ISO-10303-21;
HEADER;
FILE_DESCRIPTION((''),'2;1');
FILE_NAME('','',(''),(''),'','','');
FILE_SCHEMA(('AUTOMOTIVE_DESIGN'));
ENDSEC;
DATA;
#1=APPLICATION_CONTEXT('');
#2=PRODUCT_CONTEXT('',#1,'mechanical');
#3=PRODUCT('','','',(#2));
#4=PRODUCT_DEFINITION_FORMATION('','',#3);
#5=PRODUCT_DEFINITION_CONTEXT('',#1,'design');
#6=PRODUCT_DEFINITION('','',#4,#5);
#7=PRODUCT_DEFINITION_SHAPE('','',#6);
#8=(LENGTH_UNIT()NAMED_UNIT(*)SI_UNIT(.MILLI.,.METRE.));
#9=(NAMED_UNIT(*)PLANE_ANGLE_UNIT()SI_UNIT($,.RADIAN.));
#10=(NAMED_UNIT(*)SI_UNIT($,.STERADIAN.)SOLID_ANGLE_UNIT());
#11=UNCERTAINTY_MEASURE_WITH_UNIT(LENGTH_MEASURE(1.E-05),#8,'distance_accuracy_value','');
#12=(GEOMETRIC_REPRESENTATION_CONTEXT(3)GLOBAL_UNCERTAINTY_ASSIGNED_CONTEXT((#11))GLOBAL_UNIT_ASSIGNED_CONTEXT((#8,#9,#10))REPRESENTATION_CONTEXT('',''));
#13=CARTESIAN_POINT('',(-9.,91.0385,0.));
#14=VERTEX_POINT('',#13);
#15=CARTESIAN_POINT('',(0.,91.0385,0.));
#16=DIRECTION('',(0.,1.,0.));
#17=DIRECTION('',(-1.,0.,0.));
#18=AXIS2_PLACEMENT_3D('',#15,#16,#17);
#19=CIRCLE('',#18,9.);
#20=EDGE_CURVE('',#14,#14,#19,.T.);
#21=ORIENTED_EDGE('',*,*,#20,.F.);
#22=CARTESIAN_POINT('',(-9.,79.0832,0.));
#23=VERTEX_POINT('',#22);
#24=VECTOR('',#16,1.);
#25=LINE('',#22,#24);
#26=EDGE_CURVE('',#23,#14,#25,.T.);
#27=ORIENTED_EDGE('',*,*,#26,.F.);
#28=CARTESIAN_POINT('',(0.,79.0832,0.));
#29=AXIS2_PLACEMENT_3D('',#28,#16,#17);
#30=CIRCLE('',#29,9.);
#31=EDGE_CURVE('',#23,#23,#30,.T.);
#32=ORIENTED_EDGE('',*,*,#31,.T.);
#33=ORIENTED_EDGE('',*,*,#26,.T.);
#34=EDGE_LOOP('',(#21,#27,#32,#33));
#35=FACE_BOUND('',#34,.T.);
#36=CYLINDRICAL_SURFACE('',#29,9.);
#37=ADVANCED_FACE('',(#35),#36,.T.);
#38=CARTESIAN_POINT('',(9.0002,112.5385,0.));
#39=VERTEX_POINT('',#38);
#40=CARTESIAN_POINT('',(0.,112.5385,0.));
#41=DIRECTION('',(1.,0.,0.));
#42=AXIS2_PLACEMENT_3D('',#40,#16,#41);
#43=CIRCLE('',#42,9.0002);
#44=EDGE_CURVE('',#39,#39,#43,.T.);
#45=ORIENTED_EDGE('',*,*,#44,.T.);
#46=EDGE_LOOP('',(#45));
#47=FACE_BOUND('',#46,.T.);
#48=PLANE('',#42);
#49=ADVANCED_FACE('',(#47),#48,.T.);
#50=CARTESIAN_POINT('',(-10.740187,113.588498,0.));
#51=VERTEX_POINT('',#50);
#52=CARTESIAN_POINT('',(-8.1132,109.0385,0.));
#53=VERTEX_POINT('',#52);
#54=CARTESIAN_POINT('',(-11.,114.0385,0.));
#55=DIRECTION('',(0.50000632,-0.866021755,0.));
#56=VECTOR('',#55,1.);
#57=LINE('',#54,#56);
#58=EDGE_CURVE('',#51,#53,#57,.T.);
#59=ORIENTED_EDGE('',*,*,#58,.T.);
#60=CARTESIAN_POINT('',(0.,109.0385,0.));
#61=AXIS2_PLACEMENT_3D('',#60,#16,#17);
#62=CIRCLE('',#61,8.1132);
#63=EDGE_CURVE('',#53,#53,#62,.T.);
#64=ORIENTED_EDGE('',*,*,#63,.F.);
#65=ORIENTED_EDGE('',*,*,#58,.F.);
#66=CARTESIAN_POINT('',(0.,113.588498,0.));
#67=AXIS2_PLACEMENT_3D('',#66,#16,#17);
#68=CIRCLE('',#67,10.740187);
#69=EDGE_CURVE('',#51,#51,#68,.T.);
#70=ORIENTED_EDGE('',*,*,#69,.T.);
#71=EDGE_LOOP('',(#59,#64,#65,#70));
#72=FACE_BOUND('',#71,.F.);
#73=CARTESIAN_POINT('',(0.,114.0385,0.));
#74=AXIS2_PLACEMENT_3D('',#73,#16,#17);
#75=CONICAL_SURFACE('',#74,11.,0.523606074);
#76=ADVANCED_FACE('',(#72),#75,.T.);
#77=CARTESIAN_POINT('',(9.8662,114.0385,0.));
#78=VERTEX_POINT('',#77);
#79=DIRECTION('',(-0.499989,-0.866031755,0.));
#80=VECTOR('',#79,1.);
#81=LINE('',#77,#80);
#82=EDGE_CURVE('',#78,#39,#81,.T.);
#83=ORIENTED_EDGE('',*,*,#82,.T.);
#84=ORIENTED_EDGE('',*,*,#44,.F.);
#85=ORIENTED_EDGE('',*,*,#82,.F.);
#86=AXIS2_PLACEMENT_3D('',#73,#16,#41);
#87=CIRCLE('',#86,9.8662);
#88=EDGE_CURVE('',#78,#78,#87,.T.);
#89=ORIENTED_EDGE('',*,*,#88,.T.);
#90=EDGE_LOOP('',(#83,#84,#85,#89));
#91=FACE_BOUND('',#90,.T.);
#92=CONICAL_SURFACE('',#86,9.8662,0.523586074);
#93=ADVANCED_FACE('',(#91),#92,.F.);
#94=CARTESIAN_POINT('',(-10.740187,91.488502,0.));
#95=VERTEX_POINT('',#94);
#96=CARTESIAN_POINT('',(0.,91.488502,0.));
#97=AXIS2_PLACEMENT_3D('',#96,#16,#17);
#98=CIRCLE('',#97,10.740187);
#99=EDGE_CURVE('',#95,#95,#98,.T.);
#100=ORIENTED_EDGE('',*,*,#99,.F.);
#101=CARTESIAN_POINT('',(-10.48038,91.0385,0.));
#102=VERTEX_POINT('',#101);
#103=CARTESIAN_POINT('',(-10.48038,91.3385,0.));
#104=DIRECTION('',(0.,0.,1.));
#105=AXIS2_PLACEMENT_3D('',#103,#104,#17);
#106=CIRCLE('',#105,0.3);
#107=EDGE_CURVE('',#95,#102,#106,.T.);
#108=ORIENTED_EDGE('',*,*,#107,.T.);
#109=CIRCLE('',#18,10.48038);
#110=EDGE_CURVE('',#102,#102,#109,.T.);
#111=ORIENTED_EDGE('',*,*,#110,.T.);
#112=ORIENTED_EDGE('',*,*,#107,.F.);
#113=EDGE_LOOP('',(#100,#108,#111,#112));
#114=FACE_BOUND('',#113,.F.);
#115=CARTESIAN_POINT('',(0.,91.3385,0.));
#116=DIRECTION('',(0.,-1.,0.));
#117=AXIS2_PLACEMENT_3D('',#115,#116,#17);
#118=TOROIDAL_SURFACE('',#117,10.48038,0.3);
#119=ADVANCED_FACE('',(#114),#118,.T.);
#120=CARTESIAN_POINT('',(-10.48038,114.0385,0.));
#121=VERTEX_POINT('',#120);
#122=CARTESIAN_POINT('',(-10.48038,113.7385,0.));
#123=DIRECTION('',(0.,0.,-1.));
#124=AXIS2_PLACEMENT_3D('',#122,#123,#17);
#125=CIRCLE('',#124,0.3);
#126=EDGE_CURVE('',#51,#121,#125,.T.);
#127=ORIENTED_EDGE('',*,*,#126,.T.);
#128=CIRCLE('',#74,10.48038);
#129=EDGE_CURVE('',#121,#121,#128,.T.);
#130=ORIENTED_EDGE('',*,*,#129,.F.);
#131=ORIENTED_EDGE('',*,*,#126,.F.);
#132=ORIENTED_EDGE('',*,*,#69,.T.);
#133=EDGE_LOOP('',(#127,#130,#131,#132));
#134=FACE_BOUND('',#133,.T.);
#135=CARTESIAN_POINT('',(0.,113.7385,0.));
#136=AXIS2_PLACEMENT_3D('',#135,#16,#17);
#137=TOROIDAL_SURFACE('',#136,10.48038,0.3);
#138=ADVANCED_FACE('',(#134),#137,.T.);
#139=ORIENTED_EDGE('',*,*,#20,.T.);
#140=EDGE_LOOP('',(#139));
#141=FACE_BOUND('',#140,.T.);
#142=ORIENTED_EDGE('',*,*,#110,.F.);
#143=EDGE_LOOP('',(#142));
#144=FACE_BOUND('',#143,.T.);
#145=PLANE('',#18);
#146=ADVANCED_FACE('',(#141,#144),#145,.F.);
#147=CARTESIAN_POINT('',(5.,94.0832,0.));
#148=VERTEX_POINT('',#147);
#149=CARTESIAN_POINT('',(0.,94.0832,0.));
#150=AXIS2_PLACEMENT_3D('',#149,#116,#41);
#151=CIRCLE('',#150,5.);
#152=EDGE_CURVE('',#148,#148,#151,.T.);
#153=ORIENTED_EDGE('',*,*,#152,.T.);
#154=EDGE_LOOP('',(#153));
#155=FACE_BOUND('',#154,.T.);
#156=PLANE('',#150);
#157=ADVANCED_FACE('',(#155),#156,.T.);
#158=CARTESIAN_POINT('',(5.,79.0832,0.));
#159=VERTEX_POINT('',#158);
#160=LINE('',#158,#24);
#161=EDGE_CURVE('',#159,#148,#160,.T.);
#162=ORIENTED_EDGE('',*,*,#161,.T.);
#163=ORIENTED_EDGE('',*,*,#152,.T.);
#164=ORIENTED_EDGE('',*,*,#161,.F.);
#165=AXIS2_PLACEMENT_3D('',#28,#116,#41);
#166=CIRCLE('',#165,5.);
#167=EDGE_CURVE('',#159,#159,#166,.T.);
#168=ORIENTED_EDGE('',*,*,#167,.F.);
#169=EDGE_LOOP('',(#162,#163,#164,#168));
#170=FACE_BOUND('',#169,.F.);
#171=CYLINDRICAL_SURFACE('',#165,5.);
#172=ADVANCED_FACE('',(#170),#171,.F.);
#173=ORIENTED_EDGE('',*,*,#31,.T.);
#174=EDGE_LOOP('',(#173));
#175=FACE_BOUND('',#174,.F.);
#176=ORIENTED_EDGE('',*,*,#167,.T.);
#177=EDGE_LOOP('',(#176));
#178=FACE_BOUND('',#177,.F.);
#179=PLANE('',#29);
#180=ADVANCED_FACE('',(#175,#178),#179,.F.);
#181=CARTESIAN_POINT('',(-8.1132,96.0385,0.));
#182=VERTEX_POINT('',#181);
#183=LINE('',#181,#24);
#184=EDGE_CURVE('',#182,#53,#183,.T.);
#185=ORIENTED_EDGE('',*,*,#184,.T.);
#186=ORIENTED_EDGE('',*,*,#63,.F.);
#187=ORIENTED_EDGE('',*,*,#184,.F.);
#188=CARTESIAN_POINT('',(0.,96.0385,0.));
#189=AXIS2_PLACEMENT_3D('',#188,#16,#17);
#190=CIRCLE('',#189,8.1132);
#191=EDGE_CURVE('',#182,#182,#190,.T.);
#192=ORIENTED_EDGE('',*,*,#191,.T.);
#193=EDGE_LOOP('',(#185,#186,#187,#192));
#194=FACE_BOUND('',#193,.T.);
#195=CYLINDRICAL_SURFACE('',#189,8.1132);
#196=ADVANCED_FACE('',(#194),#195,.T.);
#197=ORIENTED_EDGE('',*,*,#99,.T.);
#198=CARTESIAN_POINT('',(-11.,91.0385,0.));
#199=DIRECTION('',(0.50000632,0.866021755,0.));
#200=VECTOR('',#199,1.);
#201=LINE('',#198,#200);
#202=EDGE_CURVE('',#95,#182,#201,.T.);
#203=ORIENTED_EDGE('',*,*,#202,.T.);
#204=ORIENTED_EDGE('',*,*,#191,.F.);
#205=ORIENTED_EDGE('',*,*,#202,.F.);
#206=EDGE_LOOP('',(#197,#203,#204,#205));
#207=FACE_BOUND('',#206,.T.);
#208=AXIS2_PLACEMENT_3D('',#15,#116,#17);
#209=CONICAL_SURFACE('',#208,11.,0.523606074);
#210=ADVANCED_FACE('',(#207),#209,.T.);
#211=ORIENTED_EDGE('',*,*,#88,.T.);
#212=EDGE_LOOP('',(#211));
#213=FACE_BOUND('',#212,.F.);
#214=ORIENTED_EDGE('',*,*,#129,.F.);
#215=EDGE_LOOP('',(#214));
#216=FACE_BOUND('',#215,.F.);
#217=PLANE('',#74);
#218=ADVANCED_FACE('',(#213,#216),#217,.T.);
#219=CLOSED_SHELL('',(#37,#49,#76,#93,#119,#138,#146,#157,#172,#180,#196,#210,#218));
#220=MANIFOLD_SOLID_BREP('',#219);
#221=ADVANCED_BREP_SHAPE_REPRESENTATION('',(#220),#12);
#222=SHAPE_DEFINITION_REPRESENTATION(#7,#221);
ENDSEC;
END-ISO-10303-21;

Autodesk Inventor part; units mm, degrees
ref_plane "YZ Plane" through (0, 0, 0) normal (1, 0, 0) x (0, 1, 0)
ref_plane "XZ Plane" through (0, 0, 0) normal (0, 1, 0) x (-1, 0, 0)
ref_plane "XY Plane" through (0, 0, 0) normal (0, 0, 1) x (1, 0, 0)
sketch "Sketch1" plane through (0, 0, 0) normal (0, 0, 1) x (1, 0, 0)
  line L0 (0, 85.0385) -> (0, 91.0385)
  line L1 (-9, 91.0385) -> (-10, 91.0385)
  line L2 (0, 61.1) -> (0, 78.9)
  line L3 (0, 91.0385) -> (0, 96.0385)
  line L4 (-10, 91.0385) -> (-11, 91.0385)
  line L5 (-9, 91.0385) -> (-9, 85.0385)
  line L6 (-11, 91.0385) -> (-8.1132, 96.0385)
  line L7 (0, 96.0385) -> (0, 109.0385)
  line L8 (0, 96.0385) -> (0, 102.5385) construction
  line L9 (0, 102.5385) -> (-10.5, 102.5385) construction
  line L10 (-11, 114.0385) -> (-8.1132, 109.0385)
  line L11 (0, 114.0385) -> (-8, 114.0385)
  line L12 (-10, 114.0385) -> (-11, 114.0385)
  line L13 (0, 114.0385) -> (-10, 114.0385)
  line L14 (0, 109.0385) -> (0, 114.0385)
  line L15 (-8.1132, 96.0385) -> (-8.1132, 109.0385)
  line L16 (0, 0) -> (0, 114.0385)
  line L17 (0, 85.0385) -> (0, 0)
  line L18 (14, 0) -> (-14, 0)
  line L19 (0, 78.9) -> (-9, 79.0832)
  line L20 (-12, 79.0832) -> (12, 79.0832)
  line L21 (-9, 79.0832) -> (-9, 85.0385)
  point P0 (-8, 264.0385)
  point P1 (-9, 241.0385)
  point P2 (0, 79.0832)
  dimension "d0" = 6
  dimension "d1" = 10
  dimension "d2" = 5
  dimension "d3" = 9
  dimension "d4" = 13
revolve "Revolution1" add sketch "Sketch1" angle 360 about axis through (0, 0, 0) along (0, 1, 0) contours L16 L20 L21 L5 L1 L4 L6 L15 L10 L12 L13 L11 L14 L7 L3 L0
sketch "Sketch2" plane through (0, 0, 0) normal (0, 0, 1) x (1, 0, 0)
  line L0 (8.1132, 109.0385) -> (11, 114.0385) construction
  line L1 (8.1132, 109.0385) -> (8.1132, 112.5385) construction
  line L2 (8.1132, 112.5385) -> (9.0002, 112.5385) construction
  line L3 (9.0002, 114.0385) -> (9.8662, 114.0385)
  line L4 (11, 114.0385) -> (-11, 114.0385) projected
  line L5 (9.8662, 114.0385) -> (9.0002, 112.5385)
  line L6 (8.1132, 109.0385) -> (-8.1132, 109.0385) projected
  line L7 (9.0002, 112.5385) -> (0, 112.5385)
  line L8 (9.0002, 114.0385) -> (0, 114.0385)
  line L9 (0, 109.0385) -> (0, 117.7347)
  point P0 (0, 0)
  point P1 (0, 112.5385)
  dimension "d6" = 3.5
  dimension "d7" = 0.887
  dimension "d8" = 1.5
  dimension "d9" = 0.866
revolve "Revolution2" cut sketch "Sketch2" angle 360 about axis through (0, 109.0385, 0) along (0, 1, 0)
fillet "Fillet1" radius 0.3 1 edges at (11, 114.0385, 0)
fillet "Fillet2" radius 0.3 1 edges at (11, 91.0385, 0)
sketch "Sketch3" plane through (0, 79.0832, 0) normal (0, -1, 0) x (1, 0, 0)
  circle A0 centre (0, 0) radius 5
  dimension "d13" = 10
extrude "Extrusion1" cut sketch "Sketch3" against normal blind 15
properties part number "emitter"
